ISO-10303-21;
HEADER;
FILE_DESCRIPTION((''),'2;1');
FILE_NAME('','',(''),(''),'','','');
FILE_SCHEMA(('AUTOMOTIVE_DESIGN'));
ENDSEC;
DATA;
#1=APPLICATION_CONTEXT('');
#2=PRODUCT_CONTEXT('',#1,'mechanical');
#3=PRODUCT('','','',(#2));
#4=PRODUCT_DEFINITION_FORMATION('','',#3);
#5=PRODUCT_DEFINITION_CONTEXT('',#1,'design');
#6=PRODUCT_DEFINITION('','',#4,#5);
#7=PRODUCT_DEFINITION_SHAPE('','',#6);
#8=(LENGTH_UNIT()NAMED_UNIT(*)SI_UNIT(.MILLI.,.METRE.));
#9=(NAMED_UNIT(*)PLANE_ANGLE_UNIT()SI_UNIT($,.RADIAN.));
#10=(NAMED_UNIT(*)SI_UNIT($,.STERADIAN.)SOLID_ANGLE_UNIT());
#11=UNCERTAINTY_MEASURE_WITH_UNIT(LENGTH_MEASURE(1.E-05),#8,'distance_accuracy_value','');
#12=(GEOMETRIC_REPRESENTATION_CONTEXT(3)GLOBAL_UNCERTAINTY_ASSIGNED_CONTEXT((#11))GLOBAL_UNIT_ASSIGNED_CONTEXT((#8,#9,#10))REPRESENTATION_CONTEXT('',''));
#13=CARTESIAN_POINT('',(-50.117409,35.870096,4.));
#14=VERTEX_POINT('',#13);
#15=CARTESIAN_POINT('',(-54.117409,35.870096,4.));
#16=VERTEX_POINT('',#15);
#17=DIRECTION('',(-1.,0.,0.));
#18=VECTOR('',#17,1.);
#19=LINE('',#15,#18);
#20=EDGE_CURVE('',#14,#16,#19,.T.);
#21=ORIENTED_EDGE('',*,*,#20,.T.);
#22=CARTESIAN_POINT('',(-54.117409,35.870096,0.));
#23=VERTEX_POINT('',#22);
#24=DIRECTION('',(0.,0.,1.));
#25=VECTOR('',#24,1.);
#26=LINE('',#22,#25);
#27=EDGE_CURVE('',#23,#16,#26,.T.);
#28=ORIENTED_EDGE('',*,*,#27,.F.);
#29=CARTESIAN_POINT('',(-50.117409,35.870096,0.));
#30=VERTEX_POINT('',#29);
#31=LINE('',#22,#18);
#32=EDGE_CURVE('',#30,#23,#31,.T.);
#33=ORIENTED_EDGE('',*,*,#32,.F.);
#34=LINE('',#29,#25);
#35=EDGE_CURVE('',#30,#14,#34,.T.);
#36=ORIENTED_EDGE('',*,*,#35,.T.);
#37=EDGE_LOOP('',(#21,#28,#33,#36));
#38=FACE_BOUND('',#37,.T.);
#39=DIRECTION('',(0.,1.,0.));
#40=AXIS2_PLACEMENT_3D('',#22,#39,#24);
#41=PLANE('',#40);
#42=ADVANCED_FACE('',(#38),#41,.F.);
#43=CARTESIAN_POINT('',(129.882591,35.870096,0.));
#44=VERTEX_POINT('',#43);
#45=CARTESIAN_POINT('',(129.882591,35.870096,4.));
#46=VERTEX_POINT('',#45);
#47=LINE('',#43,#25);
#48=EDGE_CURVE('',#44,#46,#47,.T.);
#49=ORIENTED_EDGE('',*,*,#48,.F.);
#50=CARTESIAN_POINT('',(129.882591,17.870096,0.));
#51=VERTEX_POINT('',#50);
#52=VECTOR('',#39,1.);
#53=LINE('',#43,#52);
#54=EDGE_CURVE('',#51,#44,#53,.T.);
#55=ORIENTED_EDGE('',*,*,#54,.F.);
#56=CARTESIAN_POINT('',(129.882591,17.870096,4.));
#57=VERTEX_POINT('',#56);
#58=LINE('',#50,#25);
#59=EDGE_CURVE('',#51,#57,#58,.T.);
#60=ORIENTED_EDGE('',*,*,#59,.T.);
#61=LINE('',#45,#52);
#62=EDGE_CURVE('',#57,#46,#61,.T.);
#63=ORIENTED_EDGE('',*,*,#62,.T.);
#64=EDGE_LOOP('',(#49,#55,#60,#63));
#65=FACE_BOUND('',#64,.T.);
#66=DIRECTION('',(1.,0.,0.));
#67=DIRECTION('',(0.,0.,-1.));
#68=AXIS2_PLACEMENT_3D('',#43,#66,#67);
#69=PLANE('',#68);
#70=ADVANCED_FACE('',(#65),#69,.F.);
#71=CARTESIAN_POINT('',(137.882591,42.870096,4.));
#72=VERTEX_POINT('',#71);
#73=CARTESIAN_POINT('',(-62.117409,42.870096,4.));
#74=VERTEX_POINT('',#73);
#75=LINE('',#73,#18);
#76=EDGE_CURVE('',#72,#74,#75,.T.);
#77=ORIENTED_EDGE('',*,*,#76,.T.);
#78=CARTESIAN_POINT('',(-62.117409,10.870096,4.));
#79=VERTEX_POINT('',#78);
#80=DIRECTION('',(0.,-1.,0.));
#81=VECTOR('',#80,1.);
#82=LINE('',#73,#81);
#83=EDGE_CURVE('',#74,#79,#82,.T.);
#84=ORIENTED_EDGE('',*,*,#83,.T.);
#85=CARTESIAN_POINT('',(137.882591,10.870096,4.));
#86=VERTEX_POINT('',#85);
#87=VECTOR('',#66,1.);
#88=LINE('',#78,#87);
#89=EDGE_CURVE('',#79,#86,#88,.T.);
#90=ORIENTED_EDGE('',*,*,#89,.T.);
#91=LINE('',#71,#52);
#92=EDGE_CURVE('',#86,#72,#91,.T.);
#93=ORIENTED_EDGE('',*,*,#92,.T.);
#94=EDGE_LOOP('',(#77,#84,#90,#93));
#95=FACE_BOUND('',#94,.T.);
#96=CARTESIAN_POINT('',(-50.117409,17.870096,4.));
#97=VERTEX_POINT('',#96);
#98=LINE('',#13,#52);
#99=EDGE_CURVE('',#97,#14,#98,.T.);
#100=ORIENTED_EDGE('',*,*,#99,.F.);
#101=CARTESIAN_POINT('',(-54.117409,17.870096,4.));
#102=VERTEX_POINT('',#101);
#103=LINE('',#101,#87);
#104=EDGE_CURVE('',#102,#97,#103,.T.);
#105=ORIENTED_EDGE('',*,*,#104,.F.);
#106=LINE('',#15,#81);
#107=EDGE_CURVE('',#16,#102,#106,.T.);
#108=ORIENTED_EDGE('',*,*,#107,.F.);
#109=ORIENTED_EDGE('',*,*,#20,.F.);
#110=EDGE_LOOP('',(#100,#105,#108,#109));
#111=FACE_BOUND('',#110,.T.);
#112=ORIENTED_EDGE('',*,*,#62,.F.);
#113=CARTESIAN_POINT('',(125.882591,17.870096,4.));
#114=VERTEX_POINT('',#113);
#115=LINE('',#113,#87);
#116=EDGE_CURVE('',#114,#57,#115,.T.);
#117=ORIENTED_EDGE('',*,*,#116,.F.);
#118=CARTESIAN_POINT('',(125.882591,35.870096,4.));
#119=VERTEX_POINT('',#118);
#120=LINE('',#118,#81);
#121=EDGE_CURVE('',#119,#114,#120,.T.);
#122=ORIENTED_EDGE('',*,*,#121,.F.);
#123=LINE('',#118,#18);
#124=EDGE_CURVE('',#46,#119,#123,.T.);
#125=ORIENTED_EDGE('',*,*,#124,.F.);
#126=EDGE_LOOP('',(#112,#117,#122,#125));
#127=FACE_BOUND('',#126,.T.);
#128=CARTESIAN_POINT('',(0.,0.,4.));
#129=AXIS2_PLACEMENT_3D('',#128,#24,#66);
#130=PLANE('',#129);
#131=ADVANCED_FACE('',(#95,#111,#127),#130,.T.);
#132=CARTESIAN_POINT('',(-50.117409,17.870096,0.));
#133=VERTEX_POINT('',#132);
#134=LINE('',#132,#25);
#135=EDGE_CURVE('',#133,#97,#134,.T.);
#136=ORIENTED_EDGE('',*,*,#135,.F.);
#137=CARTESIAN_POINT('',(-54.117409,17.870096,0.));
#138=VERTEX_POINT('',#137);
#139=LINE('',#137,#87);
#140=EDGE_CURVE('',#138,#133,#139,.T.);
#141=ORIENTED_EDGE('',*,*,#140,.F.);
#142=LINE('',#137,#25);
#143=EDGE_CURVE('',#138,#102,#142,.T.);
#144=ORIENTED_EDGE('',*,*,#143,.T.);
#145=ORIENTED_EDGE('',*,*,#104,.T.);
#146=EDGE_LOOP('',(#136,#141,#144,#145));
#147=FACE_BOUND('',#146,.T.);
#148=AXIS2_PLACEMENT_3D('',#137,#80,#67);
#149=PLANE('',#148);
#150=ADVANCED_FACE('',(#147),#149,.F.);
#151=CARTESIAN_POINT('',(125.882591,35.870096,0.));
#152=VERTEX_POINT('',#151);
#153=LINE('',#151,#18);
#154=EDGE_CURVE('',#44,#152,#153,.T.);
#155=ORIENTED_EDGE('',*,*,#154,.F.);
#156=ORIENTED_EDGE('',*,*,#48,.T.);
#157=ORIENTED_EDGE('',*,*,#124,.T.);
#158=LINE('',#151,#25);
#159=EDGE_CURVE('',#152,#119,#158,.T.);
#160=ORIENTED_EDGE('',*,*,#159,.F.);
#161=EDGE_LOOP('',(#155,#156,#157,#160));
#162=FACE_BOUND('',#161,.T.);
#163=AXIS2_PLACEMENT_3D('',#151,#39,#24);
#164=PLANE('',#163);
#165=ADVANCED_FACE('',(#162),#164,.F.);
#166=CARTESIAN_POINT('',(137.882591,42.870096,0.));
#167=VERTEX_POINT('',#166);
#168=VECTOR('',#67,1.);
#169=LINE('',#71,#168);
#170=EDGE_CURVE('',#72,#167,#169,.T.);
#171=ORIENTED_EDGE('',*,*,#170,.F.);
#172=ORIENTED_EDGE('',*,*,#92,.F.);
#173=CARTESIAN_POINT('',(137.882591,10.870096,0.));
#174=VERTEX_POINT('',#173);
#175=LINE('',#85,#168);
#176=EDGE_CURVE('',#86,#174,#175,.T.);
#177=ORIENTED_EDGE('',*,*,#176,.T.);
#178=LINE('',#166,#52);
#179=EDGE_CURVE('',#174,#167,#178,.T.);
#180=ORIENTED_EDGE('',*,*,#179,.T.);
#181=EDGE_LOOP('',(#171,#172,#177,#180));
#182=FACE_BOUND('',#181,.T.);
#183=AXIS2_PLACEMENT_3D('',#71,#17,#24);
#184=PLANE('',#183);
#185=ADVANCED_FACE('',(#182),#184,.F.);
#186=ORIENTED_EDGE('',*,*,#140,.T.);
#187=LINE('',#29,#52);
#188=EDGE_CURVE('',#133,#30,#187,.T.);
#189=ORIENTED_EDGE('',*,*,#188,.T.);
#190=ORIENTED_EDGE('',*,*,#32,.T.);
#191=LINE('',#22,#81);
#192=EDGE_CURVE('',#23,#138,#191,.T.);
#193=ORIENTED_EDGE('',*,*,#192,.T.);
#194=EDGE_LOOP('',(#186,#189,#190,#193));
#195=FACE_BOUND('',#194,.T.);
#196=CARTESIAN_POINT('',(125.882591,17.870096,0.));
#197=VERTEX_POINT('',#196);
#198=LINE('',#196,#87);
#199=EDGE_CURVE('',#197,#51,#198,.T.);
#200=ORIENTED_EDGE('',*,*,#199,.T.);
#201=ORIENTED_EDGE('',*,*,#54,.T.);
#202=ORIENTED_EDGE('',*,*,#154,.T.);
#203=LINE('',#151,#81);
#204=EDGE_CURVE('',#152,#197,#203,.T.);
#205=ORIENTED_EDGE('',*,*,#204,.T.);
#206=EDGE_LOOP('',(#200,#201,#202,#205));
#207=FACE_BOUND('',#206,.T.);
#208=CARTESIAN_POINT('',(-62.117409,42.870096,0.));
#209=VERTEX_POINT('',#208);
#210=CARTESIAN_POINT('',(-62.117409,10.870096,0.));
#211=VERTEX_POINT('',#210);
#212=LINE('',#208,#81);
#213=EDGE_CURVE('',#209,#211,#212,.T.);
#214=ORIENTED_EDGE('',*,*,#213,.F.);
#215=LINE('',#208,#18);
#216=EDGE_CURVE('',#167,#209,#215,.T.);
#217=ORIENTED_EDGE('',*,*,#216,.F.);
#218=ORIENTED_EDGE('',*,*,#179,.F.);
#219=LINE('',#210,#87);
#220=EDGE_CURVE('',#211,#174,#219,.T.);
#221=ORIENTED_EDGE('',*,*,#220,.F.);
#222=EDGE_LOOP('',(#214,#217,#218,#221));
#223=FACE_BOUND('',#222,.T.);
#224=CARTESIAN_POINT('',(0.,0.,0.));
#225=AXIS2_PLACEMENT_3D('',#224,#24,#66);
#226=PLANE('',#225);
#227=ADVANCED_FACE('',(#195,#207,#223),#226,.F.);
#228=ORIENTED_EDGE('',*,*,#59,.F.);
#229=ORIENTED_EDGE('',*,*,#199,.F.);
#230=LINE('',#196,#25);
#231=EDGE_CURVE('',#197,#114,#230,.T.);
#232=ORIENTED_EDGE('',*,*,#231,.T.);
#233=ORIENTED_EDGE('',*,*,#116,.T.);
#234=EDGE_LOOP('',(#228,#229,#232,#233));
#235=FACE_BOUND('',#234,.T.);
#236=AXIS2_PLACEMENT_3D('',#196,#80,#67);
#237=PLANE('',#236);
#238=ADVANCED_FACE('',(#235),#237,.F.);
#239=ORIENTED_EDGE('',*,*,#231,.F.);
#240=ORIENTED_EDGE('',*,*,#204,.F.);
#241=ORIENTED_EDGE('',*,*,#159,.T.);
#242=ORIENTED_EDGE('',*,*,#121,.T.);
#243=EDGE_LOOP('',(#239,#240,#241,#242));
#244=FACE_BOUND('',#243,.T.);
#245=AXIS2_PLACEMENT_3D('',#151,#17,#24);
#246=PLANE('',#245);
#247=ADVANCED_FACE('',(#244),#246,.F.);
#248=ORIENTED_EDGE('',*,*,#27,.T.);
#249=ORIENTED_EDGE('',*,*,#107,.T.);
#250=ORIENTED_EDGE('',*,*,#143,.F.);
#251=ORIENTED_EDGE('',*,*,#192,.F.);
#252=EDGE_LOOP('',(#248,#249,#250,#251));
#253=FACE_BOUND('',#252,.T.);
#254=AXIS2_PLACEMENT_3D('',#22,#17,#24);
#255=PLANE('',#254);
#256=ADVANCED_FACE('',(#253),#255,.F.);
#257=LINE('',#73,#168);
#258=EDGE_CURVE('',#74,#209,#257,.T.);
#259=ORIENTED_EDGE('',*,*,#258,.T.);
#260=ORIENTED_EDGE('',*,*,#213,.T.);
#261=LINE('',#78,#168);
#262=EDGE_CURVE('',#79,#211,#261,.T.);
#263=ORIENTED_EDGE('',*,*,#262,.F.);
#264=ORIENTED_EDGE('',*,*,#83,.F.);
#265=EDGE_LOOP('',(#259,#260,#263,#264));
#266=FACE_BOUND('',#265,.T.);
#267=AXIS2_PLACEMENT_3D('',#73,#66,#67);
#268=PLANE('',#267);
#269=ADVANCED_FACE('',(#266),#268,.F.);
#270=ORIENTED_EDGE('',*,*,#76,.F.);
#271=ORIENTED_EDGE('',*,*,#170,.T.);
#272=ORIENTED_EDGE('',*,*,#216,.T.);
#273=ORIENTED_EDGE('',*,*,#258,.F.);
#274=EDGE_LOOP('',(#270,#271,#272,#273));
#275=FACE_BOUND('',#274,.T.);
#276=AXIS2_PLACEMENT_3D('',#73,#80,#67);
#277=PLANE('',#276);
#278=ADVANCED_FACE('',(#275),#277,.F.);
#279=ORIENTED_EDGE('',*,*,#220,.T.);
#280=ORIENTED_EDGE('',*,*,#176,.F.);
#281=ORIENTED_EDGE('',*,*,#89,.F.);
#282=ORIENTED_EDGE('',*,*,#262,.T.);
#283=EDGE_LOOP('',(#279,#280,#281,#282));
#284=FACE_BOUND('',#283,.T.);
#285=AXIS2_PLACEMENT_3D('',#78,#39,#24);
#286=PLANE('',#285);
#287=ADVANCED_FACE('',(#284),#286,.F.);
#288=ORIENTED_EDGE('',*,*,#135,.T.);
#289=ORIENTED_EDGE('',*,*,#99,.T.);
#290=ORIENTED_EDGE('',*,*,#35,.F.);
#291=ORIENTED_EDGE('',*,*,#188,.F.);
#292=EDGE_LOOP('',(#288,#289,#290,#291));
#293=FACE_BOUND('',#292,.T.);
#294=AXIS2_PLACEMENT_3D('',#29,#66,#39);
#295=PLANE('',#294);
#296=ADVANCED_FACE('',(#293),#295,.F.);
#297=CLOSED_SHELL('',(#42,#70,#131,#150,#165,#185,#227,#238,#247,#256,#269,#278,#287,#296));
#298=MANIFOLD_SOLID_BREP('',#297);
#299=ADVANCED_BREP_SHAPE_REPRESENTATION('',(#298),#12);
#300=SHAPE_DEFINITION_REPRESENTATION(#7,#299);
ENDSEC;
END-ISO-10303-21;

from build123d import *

# Parameters (mm, degrees)
SKETCH2_W           = 200
SKETCH2_H           = 32
BOSS_EXTRUDE1_DEPTH = 4
SKETCH3_W           = 4
SKETCH3_H           = 18
CUT_EXTRUDE1_DEPTH  = 4


with BuildPart() as part:
    # Sketch2 → Boss-Extrude1 (new body)
    with BuildSketch(Plane.XY):
        with Locations((37.882590882, 26.870095694)):
            Rectangle(SKETCH2_W, SKETCH2_H)
    extrude(amount=BOSS_EXTRUDE1_DEPTH)

    # Sketch3 → Cut-Extrude1 (cut)
    with BuildSketch(Plane.XY.offset(4)):
        with Locations((-52.117409118, 26.870095694)):
            Rectangle(SKETCH3_W, SKETCH3_H)
        with Locations((127.882590882, 26.870095694)):
            Rectangle(SKETCH3_W, SKETCH3_H)
    extrude(amount=-CUT_EXTRUDE1_DEPTH, mode=Mode.SUBTRACT)


solid = part.part
